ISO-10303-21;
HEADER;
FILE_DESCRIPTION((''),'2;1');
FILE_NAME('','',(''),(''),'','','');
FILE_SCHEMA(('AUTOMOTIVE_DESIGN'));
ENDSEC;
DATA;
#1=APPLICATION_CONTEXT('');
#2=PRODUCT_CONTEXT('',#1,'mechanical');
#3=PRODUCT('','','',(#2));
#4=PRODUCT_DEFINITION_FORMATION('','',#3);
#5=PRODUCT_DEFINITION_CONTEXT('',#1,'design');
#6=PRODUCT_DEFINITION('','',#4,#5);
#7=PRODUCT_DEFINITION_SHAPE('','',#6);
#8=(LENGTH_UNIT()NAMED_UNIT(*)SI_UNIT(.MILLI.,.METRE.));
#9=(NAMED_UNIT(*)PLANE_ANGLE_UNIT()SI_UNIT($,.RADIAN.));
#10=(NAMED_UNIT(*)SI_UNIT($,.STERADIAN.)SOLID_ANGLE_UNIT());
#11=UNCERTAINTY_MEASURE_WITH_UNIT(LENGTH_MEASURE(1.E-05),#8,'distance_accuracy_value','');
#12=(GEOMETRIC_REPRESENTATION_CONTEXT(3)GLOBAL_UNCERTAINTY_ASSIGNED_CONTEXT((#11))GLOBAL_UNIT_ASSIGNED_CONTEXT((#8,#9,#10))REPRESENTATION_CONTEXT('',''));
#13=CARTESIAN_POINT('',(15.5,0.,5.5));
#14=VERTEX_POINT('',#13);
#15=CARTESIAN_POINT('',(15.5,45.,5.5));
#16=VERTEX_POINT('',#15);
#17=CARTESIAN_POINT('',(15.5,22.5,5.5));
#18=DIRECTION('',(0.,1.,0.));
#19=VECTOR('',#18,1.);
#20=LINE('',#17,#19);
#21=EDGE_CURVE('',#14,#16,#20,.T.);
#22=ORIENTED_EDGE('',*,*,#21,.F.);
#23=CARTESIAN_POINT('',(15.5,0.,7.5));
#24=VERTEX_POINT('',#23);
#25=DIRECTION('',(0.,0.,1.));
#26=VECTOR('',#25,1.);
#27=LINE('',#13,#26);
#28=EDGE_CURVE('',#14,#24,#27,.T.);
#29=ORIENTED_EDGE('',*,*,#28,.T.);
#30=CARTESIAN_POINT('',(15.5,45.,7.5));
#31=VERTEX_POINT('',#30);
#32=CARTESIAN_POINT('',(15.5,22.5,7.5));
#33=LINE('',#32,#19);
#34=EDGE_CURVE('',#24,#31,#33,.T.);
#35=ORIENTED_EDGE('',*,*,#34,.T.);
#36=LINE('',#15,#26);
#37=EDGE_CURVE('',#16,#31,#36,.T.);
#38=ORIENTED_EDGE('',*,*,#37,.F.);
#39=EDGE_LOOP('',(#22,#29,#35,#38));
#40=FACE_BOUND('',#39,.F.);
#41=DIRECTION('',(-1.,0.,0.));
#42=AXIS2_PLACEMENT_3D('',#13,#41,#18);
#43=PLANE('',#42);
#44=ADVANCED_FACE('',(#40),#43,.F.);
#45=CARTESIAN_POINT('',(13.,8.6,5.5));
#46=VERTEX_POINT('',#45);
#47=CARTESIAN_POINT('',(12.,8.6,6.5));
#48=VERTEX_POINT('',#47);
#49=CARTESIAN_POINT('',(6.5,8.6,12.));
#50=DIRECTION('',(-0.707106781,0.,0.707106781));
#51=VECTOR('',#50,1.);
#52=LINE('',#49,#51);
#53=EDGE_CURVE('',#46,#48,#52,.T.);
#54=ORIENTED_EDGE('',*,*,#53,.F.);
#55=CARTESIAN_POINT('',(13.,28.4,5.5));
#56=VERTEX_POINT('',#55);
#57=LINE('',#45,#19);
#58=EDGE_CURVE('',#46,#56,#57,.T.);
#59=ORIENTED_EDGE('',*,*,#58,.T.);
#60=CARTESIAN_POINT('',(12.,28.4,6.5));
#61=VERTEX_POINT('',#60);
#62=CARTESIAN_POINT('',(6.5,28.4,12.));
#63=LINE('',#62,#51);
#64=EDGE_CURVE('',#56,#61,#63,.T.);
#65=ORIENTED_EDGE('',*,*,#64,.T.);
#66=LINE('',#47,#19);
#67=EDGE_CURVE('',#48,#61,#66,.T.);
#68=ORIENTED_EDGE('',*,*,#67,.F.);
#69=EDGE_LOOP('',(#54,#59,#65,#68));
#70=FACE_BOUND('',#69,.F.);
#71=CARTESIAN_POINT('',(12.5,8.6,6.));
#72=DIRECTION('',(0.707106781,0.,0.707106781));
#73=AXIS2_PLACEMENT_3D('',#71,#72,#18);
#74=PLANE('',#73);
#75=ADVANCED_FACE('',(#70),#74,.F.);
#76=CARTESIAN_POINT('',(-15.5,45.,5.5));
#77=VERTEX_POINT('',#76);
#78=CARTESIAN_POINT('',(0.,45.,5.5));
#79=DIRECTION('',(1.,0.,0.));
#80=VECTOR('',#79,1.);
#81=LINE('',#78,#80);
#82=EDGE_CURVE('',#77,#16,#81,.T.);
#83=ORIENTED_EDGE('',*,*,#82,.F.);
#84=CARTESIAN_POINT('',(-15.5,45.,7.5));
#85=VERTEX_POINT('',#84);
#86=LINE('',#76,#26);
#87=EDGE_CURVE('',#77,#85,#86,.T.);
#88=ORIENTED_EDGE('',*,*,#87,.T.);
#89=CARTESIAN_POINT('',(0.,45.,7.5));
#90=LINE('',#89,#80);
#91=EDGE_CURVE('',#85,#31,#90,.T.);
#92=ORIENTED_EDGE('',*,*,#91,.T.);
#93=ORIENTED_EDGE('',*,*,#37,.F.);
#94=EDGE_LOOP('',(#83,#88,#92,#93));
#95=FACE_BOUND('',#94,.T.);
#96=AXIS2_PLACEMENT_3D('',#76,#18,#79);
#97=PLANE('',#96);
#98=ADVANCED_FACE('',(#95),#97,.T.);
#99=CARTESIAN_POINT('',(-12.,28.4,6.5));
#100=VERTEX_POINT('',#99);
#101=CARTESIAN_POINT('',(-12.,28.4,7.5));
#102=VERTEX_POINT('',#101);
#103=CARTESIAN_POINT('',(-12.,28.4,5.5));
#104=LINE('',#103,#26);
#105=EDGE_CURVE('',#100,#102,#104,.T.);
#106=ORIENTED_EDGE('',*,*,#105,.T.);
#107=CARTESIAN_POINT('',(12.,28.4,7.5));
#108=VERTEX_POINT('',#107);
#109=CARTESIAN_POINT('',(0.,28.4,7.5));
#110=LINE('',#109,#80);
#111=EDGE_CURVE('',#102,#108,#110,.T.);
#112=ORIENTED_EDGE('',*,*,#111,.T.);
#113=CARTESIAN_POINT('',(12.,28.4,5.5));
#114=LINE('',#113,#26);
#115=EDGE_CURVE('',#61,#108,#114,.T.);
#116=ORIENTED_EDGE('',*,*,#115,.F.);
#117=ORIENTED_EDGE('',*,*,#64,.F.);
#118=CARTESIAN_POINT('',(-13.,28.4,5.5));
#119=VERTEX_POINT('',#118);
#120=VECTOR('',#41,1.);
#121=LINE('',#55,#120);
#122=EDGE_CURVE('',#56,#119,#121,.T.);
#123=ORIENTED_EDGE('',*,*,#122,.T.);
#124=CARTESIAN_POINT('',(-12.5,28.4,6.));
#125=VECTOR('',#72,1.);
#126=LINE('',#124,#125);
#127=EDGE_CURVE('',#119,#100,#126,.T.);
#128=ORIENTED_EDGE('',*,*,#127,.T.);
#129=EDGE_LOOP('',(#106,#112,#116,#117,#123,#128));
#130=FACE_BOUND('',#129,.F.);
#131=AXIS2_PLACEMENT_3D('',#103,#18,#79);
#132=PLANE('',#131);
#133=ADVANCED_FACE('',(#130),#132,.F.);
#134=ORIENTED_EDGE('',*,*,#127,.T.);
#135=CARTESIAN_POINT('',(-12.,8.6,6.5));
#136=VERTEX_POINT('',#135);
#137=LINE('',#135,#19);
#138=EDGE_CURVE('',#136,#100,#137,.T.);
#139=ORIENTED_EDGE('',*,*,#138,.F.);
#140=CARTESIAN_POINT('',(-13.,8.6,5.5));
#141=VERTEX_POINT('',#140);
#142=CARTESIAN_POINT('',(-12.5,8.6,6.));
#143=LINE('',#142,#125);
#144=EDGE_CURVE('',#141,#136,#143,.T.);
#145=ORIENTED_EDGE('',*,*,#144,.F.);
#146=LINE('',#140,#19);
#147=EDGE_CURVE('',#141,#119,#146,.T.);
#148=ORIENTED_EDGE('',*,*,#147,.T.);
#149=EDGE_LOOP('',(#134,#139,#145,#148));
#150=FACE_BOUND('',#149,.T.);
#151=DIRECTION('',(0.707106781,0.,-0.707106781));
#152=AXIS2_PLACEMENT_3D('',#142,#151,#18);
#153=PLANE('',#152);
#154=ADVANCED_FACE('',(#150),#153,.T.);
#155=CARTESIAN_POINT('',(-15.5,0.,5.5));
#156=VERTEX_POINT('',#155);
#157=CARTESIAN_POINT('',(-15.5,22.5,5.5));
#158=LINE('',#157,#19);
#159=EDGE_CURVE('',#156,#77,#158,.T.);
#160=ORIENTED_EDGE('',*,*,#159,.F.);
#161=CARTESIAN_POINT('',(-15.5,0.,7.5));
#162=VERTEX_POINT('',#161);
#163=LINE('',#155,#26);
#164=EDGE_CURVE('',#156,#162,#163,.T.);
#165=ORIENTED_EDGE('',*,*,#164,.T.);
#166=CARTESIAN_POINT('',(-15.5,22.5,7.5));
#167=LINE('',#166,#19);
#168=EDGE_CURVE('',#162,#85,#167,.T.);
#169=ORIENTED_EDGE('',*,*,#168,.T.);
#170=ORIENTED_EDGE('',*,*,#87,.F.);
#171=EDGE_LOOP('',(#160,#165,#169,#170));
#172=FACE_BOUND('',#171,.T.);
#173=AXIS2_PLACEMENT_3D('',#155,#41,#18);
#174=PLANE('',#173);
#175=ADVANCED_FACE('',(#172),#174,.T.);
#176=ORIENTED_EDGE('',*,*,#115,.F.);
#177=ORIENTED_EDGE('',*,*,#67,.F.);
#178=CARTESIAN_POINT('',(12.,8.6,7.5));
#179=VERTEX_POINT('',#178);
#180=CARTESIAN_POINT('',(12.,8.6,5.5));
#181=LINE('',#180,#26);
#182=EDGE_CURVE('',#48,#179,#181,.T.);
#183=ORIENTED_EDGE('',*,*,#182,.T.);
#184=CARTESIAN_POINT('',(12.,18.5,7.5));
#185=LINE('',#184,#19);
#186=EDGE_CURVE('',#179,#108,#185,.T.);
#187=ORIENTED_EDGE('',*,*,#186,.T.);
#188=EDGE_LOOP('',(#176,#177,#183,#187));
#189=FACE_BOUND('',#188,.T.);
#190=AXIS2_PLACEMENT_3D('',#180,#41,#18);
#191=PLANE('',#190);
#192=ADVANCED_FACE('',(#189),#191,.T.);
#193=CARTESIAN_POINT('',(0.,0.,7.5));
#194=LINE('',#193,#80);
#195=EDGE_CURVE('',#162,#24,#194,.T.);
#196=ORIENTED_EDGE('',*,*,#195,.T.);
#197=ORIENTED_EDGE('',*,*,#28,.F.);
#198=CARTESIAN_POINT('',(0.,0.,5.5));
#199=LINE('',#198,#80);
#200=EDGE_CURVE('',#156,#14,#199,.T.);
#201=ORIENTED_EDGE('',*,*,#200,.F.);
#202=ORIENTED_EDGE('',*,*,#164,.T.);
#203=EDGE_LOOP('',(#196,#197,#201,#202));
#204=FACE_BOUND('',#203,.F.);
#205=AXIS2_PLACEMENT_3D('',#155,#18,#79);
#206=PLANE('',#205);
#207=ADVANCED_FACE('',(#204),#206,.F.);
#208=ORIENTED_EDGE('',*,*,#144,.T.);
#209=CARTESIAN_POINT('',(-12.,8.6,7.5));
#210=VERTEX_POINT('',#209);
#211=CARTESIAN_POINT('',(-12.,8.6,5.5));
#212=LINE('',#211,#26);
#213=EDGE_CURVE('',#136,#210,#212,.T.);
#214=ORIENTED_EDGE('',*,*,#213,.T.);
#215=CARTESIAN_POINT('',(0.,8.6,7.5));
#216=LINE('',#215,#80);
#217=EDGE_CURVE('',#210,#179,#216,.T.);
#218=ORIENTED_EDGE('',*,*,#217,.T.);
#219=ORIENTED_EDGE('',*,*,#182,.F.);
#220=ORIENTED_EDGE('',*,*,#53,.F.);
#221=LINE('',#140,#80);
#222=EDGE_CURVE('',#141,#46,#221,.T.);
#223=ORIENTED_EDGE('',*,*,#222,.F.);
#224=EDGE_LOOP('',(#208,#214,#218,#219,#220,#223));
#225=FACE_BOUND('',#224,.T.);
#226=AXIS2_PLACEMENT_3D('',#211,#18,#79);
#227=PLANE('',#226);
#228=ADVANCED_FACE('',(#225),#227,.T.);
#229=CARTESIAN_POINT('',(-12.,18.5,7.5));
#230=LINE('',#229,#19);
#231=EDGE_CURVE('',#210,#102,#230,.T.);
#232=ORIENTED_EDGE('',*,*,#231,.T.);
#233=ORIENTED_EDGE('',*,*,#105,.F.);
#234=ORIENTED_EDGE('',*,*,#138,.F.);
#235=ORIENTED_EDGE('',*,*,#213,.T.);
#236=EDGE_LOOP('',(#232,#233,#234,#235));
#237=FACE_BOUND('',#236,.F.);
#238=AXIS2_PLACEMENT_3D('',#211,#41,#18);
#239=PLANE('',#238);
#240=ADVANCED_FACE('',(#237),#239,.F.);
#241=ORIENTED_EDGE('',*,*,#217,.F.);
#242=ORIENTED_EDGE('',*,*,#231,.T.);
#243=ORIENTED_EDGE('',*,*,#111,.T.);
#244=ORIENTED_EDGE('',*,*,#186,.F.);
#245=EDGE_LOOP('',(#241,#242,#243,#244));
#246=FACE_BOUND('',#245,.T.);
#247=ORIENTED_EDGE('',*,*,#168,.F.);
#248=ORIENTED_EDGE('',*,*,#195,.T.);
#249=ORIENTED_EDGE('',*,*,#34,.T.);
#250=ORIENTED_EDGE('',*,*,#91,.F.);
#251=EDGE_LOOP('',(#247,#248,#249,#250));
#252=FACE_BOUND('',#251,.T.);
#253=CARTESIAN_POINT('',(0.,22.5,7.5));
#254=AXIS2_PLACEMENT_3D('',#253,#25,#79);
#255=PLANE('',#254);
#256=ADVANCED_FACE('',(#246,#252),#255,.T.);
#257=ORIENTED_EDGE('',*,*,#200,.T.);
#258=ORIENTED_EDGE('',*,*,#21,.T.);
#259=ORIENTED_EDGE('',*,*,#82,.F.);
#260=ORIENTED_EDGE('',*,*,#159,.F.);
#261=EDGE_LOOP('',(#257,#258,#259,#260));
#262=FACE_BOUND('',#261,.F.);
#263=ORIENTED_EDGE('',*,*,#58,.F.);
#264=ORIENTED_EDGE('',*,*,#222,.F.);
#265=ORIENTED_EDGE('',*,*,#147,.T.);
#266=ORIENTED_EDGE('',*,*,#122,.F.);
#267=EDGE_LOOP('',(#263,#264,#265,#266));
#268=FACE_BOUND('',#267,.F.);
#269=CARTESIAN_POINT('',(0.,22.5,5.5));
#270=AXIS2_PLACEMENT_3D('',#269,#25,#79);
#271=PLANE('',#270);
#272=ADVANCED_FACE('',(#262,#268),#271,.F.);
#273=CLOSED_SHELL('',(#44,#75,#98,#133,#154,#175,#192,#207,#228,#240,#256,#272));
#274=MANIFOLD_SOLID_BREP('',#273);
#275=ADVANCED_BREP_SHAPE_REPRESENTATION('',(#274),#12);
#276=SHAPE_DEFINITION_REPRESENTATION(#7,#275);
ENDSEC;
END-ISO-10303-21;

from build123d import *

# Parameters (mm, degrees)
BOX004_W     = 24
BOX004_H     = 19.8
BOX004_DEPTH = 2
BOX002_W     = 31
BOX002_H     = 45
BOX002_DEPTH = 2
CHAMFER_SIZE = 1


with BuildPart() as topplate_cutout:
    # Box004 → Box004 (new body)
    with BuildSketch(Plane(origin=(-12, 8.6, 5.5), x_dir=(1, 0, 0), z_dir=(0, 0, 1))):
        with Locations((12, 9.9)):
            Rectangle(BOX004_W, BOX004_H)
    extrude(amount=BOX004_DEPTH)


with BuildPart() as topplate:
    # Box002 → Box002 (new body)
    with BuildSketch(Plane(origin=(-15.5, 0, 5.5), x_dir=(1, 0, 0), z_dir=(0, 0, 1))):
        with Locations((15.5, 22.5)):
            Rectangle(BOX002_W, BOX002_H)
    extrude(amount=BOX002_DEPTH)

    # Cut014: cut topPlate_cutout
    add(topplate_cutout.part, mode=Mode.SUBTRACT)

    # Chamfer
    chamfer_edges = [topplate.edges().sort_by_distance(p)[0] for p in [
        (-12, 18.5, 5.5),
        (12, 18.5, 5.5),
    ]]
    chamfer(chamfer_edges, length=CHAMFER_SIZE)


solid = topplate.part
